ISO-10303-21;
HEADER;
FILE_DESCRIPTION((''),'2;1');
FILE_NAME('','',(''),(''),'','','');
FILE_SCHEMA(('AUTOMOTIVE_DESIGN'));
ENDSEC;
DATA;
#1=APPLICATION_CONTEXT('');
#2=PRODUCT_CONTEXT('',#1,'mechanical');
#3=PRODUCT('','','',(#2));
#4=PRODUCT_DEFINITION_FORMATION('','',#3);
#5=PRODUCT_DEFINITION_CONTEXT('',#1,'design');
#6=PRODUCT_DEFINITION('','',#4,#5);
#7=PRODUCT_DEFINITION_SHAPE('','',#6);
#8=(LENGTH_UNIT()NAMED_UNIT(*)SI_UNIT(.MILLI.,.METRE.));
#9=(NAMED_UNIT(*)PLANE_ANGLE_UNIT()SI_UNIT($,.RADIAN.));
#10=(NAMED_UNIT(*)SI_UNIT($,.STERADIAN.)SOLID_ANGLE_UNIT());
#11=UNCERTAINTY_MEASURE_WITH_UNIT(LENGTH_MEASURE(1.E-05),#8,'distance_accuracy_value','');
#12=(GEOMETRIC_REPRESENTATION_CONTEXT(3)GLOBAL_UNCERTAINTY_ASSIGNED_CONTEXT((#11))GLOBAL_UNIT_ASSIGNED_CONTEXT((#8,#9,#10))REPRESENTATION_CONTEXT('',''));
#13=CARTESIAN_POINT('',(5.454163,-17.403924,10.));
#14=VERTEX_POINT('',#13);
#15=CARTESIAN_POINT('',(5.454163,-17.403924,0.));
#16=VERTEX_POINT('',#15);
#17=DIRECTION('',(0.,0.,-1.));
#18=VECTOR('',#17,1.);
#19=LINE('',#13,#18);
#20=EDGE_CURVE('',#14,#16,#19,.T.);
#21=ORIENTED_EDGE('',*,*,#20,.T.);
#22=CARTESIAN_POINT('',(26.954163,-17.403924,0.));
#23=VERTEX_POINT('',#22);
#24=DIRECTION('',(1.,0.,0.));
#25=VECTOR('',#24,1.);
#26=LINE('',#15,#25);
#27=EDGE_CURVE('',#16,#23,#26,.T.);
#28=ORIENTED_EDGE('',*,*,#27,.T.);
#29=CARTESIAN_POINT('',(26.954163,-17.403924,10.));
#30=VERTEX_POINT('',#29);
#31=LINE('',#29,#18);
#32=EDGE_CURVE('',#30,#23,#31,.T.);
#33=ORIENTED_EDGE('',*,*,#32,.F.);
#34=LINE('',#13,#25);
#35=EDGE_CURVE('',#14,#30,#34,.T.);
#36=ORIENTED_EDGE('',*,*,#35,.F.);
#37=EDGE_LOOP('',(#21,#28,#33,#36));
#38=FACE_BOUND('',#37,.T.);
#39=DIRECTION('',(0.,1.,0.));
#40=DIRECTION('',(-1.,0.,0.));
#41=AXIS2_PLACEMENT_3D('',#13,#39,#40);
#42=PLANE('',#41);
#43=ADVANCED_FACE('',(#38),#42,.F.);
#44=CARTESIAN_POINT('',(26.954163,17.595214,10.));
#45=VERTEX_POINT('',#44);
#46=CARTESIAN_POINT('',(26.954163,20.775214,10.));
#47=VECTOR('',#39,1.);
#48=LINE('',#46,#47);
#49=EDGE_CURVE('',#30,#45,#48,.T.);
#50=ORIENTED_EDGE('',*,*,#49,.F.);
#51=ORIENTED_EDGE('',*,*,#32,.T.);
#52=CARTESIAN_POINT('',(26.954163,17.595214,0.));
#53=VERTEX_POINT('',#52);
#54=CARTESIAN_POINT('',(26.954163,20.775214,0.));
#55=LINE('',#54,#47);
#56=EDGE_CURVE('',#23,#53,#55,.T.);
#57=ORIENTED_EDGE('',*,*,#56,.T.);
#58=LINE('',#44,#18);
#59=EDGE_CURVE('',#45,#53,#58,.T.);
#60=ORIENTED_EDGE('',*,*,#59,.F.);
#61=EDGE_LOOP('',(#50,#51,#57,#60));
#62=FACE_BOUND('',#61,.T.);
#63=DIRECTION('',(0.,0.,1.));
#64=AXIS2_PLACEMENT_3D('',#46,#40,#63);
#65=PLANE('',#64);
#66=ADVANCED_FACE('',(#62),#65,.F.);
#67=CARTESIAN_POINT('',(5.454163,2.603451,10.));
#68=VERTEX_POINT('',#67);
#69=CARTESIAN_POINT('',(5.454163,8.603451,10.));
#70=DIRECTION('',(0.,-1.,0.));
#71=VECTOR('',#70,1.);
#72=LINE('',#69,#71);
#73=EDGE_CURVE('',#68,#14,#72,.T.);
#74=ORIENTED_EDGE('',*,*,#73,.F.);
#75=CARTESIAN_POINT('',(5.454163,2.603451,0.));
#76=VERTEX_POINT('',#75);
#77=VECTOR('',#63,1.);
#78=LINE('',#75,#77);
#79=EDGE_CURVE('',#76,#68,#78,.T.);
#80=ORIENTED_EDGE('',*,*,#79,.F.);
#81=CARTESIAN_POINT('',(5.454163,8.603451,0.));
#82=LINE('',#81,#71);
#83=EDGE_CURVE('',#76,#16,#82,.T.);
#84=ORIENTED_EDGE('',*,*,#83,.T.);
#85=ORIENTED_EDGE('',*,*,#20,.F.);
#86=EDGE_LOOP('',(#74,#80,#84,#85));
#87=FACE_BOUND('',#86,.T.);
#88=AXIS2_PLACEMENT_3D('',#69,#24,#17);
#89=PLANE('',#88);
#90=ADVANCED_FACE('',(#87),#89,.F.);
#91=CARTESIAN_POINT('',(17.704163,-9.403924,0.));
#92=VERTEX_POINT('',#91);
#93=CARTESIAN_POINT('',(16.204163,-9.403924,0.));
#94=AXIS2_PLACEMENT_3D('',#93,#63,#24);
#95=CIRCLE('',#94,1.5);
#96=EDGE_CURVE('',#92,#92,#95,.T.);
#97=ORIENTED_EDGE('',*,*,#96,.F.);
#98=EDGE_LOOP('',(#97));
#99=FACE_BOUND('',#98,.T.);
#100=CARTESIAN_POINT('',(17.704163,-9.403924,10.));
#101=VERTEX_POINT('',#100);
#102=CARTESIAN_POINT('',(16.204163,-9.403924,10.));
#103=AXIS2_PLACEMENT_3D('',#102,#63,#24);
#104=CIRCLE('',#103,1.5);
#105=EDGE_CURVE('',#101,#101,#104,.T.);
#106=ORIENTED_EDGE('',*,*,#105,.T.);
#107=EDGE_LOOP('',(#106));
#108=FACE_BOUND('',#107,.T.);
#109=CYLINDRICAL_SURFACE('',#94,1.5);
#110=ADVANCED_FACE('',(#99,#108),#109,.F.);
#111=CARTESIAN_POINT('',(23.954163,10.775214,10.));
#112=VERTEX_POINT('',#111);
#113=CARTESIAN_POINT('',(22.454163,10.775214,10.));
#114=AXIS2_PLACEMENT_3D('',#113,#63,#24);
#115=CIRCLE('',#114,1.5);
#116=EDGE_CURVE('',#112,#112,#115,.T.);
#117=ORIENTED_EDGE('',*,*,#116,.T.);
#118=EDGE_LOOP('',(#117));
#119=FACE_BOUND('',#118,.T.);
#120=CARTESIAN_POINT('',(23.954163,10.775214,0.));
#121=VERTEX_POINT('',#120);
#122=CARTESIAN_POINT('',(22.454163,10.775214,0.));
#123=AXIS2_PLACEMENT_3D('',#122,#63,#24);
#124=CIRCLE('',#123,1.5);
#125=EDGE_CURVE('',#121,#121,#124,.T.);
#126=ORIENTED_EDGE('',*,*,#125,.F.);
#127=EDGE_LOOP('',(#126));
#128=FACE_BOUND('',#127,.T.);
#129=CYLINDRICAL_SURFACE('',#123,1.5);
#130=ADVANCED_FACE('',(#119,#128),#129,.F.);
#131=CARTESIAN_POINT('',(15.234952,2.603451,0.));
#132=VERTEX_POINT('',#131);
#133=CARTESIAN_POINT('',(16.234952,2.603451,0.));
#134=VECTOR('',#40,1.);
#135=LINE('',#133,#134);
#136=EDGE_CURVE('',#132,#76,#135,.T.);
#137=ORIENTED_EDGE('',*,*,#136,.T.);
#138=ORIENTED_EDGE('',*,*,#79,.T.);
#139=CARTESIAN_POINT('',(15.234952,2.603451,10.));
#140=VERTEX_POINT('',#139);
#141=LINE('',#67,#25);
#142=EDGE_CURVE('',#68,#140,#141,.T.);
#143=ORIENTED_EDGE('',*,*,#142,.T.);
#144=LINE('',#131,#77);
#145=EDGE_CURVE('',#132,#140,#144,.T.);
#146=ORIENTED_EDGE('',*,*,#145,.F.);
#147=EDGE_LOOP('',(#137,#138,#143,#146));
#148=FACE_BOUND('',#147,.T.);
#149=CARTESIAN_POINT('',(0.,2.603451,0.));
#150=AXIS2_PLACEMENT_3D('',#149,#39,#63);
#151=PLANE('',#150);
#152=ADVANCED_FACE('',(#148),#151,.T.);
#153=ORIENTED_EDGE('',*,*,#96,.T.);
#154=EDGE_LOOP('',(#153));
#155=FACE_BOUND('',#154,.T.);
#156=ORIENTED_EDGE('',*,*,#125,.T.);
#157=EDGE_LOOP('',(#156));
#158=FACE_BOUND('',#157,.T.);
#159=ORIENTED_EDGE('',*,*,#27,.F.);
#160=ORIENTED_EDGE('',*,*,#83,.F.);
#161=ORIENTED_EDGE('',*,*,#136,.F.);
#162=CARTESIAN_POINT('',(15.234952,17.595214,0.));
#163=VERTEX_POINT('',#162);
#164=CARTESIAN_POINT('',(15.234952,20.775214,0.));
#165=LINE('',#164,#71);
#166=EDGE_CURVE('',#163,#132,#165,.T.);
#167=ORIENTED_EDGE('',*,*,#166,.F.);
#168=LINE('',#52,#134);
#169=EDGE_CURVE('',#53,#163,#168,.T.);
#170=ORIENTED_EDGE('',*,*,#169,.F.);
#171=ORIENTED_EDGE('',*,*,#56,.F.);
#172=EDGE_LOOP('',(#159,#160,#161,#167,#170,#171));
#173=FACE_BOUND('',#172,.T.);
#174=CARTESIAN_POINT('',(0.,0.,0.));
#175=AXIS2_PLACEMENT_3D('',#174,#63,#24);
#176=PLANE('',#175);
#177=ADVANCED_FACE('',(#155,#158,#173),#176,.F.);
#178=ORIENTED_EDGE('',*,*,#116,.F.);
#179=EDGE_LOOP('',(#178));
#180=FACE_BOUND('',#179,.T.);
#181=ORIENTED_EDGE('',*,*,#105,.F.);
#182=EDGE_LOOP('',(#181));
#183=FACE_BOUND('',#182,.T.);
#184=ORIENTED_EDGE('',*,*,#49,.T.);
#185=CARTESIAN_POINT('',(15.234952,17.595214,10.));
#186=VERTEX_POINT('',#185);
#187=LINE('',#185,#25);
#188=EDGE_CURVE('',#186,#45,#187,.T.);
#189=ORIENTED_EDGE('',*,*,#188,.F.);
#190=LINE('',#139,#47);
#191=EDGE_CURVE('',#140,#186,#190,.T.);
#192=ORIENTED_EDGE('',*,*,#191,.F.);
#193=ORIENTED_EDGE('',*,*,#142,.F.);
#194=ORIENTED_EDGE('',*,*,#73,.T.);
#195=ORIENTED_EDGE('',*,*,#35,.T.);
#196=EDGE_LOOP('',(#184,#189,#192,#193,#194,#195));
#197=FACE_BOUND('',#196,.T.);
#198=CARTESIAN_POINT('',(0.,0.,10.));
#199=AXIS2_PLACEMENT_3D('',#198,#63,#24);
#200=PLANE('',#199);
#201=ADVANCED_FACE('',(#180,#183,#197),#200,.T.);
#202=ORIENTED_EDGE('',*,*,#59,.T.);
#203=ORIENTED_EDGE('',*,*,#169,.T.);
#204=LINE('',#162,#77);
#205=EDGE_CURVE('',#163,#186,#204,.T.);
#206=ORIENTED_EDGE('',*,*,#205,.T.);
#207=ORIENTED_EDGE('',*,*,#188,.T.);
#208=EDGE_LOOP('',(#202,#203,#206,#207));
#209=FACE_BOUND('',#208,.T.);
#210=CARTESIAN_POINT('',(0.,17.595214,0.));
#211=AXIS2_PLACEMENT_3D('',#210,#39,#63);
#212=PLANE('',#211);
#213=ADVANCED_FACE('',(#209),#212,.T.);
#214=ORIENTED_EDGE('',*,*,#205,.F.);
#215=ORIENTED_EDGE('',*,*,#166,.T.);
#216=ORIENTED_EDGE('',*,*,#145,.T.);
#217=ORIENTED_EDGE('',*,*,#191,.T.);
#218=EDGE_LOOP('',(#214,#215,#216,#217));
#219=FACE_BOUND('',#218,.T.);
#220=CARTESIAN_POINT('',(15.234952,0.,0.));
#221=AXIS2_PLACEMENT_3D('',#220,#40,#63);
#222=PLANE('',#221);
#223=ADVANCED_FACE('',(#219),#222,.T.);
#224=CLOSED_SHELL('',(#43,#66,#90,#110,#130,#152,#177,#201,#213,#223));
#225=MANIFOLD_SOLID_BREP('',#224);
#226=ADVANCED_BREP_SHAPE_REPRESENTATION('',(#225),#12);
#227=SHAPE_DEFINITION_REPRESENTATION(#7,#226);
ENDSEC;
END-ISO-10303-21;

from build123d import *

# Parameters (mm, degrees)
EXTRUDE_1_DEPTH     = 10
SKETCH_2_W          = 10.780789019
SKETCH_2_H          = 10
CUT_EXTRUDE_1_DEPTH = 6
SKETCH_3_W          = 10
SKETCH_3_H          = 18.171763081
EXTRUDE_2_DEPTH     = 1
SKETCH_4_R          = 1.5
CUT_EXTRUDE_2_DEPTH = 11
SKETCH_5_W          = 11.719210981
SKETCH_5_H          = 10
CUT_EXTRUDE_3_DEPTH = 3.18


with BuildPart() as part:
    # 草图1 → 凸台-拉伸1 (new body)
    with BuildSketch(Plane.XY):
        Polygon((7.850374618, 8.603451253), (16.234951688, 8.603451253), (16.234951688, 16.628704923), (16.234951688, 20.775214334), (26.954162669, 20.775214334), (26.954162669, -17.403924352), (5.454162669, -17.403924352), (5.454162669, 8.603451253), align=None)
    extrude(amount=EXTRUDE_1_DEPTH)

    # 草图2 → 切除-拉伸1 (cut)
    with BuildSketch(Plane(origin=(0, 8.603451253, 0), x_dir=(1, 0, 0), z_dir=(0, 1, 0))):
        with Locations((10.844557179, -5)):
            Rectangle(SKETCH_2_W, SKETCH_2_H)
    extrude(amount=-CUT_EXTRUDE_1_DEPTH, mode=Mode.SUBTRACT)

    # 草图3 → 凸台-拉伸2 (add)
    with BuildSketch(Plane.ZY.offset(-16.234951688)):
        with Locations((5, 11.689332794)):
            Rectangle(SKETCH_3_W, SKETCH_3_H)
    extrude(amount=EXTRUDE_2_DEPTH)

    # 草图4 → 切除-拉伸2 (cut, through all)
    with BuildSketch(Plane.XY.offset(10)):
        with Locations((16.204162669, -9.403924352)):
            Circle(SKETCH_4_R)
        with Locations((22.454162669, 10.775214334)):
            Circle(SKETCH_4_R)
    extrude(amount=-CUT_EXTRUDE_2_DEPTH, mode=Mode.SUBTRACT)

    # 草图5 → 切除-拉伸3 (cut)
    with BuildSketch(Plane(origin=(0, 20.775214334, 0), x_dir=(1, 0, 0), z_dir=(0, 1, 0))):
        with Locations((21.094557179, -5)):
            Rectangle(SKETCH_5_W, SKETCH_5_H)
    extrude(amount=-CUT_EXTRUDE_3_DEPTH, mode=Mode.SUBTRACT)


solid = part.part
